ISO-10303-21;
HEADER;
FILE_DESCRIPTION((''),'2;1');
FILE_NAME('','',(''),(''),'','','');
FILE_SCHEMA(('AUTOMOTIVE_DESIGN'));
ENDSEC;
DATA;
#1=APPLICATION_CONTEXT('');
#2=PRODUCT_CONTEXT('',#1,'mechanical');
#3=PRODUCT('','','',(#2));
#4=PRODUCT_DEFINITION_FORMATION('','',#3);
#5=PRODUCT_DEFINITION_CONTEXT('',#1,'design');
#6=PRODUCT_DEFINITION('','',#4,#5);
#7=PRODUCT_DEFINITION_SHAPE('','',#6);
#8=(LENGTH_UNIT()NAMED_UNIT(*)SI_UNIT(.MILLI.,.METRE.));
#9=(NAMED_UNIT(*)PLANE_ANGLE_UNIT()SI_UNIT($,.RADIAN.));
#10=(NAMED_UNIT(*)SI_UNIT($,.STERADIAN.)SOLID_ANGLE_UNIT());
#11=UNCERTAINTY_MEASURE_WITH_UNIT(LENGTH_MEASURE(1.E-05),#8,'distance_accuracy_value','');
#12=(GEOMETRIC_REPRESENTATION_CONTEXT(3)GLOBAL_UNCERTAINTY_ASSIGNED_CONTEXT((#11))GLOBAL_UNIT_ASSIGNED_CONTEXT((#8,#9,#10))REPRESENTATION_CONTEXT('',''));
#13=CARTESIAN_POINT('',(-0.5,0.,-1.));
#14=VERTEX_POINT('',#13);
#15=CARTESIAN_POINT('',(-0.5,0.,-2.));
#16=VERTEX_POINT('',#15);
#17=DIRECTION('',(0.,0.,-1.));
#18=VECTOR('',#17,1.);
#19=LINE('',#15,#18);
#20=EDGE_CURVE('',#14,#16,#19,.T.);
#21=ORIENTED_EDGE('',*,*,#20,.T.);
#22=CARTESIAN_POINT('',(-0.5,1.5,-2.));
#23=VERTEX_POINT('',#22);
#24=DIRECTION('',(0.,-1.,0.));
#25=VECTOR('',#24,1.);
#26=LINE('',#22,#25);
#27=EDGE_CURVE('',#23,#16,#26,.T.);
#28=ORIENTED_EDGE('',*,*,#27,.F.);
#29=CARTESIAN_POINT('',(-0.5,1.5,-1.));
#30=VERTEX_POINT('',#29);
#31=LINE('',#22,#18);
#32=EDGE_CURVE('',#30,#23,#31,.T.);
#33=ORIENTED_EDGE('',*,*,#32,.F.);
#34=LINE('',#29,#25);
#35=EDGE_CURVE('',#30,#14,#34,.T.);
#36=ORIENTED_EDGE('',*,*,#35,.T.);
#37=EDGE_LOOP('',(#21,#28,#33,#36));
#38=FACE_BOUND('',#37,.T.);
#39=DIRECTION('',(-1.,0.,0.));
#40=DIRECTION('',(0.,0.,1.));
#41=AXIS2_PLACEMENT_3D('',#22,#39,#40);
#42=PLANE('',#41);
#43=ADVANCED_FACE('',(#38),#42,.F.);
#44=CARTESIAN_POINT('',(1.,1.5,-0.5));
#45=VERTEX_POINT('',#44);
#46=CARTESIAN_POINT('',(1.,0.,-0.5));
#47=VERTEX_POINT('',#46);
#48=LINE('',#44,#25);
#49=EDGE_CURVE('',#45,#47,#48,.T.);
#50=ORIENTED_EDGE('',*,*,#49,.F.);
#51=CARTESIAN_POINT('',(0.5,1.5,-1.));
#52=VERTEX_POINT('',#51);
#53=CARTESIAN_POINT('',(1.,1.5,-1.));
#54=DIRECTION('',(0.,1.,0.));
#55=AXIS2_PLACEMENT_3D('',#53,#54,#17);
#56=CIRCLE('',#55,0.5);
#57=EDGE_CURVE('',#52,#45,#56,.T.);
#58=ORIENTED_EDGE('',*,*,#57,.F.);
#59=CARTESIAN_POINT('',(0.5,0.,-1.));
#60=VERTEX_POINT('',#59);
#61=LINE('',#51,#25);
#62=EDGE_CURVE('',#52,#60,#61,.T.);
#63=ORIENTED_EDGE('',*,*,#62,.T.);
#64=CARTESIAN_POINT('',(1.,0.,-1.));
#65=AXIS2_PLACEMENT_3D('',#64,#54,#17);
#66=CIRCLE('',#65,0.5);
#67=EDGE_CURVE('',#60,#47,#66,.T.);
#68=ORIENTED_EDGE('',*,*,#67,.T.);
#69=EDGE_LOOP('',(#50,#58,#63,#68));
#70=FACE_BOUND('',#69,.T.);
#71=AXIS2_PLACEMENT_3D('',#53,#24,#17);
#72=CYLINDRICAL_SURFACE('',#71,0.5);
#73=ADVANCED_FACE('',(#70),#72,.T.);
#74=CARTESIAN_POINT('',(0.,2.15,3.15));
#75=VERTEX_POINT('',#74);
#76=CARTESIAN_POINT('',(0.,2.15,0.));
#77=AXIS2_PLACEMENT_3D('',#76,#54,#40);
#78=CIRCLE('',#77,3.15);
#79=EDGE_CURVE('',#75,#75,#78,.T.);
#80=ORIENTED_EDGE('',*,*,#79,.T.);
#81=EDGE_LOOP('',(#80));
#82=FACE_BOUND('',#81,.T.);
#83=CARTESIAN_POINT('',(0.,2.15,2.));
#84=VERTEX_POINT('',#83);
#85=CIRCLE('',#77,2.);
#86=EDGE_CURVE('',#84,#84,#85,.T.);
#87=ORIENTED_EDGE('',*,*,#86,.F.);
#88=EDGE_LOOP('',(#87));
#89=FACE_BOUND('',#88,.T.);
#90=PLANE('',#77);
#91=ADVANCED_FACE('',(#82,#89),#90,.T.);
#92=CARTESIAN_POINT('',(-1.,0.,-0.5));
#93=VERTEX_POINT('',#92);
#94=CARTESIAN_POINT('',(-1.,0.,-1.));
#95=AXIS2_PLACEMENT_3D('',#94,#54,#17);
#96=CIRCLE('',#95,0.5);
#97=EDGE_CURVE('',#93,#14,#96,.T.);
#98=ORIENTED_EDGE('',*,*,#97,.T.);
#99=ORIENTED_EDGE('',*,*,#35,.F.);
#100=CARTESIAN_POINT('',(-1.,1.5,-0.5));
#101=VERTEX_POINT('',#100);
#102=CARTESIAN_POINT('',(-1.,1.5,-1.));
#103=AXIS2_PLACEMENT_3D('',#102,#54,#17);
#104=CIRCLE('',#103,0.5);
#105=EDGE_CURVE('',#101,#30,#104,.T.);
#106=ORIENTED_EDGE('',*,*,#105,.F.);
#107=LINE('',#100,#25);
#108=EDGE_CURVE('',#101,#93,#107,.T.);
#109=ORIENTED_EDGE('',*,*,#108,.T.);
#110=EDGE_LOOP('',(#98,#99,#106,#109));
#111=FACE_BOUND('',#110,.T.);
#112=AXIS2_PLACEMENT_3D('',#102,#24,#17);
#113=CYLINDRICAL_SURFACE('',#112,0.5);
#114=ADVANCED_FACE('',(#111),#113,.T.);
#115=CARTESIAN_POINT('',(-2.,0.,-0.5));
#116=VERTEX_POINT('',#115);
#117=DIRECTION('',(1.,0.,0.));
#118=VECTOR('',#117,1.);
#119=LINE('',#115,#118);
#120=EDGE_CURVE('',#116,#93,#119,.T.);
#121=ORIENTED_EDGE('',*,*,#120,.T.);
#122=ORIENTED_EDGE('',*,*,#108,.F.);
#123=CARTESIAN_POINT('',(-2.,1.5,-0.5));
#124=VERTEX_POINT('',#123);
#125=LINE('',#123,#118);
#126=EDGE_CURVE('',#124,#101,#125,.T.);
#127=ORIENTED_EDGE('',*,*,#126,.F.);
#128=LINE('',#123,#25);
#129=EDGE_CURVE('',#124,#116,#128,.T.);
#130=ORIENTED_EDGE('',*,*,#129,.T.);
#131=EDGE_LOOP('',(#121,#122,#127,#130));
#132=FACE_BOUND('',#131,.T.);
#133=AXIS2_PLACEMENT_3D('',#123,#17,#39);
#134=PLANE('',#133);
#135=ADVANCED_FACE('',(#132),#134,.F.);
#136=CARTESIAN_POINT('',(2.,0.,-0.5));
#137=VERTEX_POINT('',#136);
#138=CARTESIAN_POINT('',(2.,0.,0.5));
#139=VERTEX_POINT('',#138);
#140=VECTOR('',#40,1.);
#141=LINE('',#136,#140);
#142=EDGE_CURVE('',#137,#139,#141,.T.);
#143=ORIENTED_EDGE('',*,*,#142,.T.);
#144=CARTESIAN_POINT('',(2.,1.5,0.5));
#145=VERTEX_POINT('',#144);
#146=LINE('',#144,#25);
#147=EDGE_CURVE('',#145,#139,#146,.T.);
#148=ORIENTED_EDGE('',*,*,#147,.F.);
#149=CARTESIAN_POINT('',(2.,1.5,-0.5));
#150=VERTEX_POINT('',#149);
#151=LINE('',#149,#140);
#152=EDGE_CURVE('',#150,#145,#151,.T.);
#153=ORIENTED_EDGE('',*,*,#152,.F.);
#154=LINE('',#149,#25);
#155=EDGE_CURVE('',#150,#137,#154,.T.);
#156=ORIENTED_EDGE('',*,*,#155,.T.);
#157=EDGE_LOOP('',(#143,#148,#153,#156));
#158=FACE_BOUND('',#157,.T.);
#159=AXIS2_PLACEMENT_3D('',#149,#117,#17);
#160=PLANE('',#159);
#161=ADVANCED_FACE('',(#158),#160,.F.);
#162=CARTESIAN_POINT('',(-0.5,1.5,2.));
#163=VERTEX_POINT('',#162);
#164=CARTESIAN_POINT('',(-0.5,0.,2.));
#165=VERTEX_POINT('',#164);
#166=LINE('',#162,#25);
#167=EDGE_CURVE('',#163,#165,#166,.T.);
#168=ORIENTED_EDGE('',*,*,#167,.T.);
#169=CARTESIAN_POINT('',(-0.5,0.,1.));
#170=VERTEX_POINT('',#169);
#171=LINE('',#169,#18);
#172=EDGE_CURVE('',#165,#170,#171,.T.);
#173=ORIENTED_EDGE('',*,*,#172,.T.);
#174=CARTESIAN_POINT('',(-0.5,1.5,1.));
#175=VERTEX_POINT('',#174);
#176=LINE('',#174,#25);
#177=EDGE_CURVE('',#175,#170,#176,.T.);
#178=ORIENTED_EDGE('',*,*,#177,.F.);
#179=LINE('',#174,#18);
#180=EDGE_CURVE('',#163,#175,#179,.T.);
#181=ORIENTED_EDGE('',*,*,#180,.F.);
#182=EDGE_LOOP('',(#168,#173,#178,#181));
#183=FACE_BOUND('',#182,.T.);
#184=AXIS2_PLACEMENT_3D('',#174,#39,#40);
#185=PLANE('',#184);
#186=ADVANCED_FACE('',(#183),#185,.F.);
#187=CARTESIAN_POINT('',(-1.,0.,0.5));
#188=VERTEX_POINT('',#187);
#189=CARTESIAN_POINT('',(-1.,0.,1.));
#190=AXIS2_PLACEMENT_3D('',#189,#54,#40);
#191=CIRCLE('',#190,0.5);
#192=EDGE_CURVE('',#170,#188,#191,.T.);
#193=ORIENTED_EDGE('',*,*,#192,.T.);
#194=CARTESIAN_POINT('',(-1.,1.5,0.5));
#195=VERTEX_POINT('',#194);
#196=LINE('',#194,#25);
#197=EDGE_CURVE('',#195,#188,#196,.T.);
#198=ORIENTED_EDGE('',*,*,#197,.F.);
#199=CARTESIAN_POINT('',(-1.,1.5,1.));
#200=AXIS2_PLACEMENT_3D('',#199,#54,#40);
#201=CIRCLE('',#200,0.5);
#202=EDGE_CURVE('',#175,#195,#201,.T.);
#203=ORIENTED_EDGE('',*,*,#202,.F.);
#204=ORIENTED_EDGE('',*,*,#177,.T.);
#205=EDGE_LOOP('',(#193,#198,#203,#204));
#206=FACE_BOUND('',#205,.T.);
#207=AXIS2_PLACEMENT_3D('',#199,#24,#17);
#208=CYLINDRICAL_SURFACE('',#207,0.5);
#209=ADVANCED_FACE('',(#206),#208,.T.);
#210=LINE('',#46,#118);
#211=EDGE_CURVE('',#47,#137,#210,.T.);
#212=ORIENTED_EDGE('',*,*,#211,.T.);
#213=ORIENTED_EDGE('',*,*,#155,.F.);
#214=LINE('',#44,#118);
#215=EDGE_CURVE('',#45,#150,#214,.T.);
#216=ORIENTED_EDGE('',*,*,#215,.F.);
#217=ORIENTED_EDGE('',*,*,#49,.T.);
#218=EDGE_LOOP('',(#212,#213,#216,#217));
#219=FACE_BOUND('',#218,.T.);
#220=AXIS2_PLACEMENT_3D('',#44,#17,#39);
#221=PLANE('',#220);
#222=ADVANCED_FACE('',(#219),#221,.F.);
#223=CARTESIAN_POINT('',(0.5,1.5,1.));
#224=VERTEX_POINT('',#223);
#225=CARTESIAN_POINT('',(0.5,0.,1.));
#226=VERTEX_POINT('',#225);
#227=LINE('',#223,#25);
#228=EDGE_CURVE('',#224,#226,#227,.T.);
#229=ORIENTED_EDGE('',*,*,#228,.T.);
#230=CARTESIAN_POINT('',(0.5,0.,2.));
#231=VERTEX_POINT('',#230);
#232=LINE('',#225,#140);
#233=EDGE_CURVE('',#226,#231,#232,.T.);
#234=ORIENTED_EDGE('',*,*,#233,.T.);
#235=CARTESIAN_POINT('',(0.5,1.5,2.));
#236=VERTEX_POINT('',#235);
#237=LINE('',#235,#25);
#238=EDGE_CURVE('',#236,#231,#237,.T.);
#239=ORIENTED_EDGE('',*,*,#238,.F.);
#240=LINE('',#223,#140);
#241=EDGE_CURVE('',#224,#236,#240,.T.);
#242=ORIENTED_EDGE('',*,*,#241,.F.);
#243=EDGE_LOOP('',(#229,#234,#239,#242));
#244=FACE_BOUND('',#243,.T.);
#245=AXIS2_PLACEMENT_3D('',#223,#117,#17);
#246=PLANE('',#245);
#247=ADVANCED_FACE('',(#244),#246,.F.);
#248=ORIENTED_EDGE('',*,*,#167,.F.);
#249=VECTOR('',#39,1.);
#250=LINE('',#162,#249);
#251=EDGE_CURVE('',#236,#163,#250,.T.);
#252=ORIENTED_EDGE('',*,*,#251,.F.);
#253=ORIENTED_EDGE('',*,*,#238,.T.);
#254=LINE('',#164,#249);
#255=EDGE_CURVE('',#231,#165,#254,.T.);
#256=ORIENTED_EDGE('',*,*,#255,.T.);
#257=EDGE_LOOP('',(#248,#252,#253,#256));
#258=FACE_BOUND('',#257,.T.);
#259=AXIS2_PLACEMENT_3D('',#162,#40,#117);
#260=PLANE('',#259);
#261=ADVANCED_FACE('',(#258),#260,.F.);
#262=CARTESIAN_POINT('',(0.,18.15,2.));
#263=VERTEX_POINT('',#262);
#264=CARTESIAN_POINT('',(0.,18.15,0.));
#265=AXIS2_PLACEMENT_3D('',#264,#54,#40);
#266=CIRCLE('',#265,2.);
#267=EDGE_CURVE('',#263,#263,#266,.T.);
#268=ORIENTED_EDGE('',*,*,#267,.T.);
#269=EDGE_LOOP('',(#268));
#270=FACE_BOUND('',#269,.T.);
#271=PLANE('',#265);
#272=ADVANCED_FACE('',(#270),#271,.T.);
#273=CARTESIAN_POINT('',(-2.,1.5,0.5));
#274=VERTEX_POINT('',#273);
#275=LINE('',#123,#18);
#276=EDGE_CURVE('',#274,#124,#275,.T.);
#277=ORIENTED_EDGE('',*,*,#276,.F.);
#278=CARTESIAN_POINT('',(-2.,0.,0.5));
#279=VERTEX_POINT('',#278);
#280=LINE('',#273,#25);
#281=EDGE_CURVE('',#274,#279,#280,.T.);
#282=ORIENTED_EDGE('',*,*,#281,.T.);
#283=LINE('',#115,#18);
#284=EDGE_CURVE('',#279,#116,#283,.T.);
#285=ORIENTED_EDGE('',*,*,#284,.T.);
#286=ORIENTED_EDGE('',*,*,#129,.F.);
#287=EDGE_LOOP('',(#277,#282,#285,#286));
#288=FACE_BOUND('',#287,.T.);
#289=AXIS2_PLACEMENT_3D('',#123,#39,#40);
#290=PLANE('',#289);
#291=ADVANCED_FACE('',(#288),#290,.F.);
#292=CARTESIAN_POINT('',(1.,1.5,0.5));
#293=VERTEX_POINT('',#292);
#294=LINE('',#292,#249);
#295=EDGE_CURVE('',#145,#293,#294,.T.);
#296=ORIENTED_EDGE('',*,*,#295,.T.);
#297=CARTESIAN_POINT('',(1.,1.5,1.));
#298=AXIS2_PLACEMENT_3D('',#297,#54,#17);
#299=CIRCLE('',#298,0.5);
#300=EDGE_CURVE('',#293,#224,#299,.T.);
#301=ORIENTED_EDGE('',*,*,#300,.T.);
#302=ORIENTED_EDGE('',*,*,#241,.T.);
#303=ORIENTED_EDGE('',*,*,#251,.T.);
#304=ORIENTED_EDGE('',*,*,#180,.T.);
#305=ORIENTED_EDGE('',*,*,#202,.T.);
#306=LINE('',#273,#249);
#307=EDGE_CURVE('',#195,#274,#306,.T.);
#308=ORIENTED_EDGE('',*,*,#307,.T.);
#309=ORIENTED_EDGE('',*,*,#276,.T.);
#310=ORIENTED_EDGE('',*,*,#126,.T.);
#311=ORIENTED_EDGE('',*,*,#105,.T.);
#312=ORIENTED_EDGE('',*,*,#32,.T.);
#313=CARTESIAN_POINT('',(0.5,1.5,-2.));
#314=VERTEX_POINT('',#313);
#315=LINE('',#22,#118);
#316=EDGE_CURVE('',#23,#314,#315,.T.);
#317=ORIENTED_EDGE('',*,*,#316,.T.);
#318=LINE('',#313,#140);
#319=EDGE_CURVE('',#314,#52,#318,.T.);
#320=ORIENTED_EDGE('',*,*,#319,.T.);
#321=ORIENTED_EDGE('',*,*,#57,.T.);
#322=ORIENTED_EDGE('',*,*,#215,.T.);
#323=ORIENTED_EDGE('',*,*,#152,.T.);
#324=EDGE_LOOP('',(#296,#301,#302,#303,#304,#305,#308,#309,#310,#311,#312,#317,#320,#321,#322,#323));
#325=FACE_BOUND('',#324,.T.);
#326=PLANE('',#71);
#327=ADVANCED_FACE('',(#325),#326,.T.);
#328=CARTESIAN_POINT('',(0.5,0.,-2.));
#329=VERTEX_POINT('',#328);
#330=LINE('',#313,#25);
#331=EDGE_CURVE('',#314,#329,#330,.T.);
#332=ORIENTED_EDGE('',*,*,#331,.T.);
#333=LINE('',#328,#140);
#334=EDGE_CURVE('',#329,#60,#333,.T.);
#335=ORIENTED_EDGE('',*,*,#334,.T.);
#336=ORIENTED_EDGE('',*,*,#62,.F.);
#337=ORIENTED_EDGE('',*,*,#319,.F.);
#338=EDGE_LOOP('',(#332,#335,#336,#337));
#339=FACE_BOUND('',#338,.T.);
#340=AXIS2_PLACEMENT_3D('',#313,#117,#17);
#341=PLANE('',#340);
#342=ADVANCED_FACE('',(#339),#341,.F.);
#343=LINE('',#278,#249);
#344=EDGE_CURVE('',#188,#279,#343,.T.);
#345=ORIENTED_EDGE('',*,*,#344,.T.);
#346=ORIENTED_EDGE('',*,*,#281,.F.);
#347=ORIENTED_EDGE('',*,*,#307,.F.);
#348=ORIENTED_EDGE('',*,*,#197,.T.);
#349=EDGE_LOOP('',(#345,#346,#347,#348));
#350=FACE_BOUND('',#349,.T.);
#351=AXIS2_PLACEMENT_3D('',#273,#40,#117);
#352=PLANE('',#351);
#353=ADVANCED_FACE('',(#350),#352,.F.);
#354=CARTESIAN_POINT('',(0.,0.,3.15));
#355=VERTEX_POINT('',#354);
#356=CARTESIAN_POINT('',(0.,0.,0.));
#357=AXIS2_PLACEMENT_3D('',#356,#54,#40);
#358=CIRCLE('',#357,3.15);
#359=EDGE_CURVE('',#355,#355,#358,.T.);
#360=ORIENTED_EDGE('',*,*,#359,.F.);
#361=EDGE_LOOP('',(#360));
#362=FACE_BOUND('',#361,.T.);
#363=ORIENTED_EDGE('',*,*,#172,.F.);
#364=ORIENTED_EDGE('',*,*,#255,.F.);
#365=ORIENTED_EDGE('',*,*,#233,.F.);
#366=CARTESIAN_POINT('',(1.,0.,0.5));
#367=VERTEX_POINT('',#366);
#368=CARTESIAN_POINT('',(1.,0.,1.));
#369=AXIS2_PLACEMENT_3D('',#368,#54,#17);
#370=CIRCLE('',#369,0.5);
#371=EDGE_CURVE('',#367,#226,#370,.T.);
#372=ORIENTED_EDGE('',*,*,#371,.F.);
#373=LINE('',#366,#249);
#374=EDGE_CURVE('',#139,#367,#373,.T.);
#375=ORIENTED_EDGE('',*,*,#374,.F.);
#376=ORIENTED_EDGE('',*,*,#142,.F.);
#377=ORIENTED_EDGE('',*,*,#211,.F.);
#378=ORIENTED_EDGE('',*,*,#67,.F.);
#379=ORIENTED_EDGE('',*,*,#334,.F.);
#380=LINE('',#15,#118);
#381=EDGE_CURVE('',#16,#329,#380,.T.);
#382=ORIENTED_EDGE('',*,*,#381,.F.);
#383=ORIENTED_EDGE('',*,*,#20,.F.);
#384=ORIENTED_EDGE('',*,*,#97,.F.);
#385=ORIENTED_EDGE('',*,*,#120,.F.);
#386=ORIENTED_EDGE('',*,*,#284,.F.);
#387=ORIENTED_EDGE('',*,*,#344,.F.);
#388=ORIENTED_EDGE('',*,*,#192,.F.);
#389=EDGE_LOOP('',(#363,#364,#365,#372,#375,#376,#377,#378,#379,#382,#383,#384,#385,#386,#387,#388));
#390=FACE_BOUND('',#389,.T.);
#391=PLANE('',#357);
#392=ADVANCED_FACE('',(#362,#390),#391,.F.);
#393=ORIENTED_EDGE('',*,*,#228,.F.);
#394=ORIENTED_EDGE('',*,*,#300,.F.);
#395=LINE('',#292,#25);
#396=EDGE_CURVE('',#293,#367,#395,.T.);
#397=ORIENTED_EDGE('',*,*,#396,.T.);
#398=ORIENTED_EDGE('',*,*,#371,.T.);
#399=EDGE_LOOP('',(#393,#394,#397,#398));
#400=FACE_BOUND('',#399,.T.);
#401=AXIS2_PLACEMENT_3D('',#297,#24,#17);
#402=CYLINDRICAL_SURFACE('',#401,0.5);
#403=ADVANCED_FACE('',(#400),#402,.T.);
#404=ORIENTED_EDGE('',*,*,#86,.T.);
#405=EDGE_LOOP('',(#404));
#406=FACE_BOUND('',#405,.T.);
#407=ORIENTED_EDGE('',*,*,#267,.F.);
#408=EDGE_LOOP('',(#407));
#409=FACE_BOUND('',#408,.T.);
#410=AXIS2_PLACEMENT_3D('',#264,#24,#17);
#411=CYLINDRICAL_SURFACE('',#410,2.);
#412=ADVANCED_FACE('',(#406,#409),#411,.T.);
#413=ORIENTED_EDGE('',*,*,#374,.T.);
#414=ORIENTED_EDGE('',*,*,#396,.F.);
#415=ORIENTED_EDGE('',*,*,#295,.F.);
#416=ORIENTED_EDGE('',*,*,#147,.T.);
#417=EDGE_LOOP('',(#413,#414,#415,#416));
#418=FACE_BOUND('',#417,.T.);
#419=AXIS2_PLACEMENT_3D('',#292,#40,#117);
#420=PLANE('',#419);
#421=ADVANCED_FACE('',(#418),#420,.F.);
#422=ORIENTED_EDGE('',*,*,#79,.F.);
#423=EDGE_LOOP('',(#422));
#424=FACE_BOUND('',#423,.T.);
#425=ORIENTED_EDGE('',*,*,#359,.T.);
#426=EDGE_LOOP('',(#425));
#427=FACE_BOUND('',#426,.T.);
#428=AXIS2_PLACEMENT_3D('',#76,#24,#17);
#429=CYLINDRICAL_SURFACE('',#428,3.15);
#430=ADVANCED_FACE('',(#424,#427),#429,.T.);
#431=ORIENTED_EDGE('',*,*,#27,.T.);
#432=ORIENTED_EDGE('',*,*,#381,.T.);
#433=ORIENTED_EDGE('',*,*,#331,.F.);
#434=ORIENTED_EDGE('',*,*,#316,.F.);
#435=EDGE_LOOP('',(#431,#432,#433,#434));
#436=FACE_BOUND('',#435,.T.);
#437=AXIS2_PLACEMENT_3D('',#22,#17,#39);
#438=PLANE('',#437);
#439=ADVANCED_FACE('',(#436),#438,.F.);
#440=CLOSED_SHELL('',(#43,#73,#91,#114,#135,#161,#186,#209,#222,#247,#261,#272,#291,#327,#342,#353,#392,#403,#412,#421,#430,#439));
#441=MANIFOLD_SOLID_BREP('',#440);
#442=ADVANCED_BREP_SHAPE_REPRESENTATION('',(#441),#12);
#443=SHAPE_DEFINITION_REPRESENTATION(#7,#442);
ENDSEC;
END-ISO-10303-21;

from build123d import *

# Parameters (mm, degrees)
SKETCH_1_R          = 3.15
EXTRUDE_1_DEPTH     = 2.15
SKETCH_2_R          = 2
EXTRUDE_2_DEPTH     = 16
CUT_EXTRUDE_1_DEPTH = 1.5


with BuildPart() as part:
    # 草图1 → 凸台-拉伸1 (new body)
    with BuildSketch(Plane(origin=(0, 0, 0), x_dir=(1, 0, 0), z_dir=(0, 1, 0))):
        Circle(SKETCH_1_R)
    extrude(amount=EXTRUDE_1_DEPTH)

    # 草图2 → 凸台-拉伸2 (add)
    with BuildSketch(Plane(origin=(0, 2.15, 0), x_dir=(1, 0, 0), z_dir=(0, 1, 0))):
        Circle(SKETCH_2_R)
    extrude(amount=EXTRUDE_2_DEPTH)

    # 草图3 → 切除-拉伸1 (cut)
    with BuildSketch(Plane.XZ):
        with BuildLine():
            Line((-0.5, 1), (-0.5, 2))
            Line((-0.5, 2), (0.5, 2))
            Line((0.5, 2), (0.5, 1))
            ThreePointArc((0.5, 1), (0.646446609, 0.646446609), (1, 0.5))
            Line((1, 0.5), (2, 0.5))
            Line((2, 0.5), (2, -0.5))
            Line((2, -0.5), (1, -0.5))
            ThreePointArc((1, -0.5), (0.646446609, -0.646446609), (0.5, -1))
            Line((0.5, -1), (0.5, -2))
            Line((0.5, -2), (-0.5, -2))
            Line((-0.5, -2), (-0.5, -1))
            ThreePointArc((-0.5, -1), (-0.646446609, -0.646446609), (-1, -0.5))
            Line((-1, -0.5), (-2, -0.5))
            Line((-2, -0.5), (-2, 0.5))
            Line((-2, 0.5), (-1, 0.5))
            ThreePointArc((-1, 0.5), (-0.646446609, 0.646446609), (-0.5, 1))
        make_face()
    extrude(amount=-CUT_EXTRUDE_1_DEPTH, mode=Mode.SUBTRACT)


solid = part.part
